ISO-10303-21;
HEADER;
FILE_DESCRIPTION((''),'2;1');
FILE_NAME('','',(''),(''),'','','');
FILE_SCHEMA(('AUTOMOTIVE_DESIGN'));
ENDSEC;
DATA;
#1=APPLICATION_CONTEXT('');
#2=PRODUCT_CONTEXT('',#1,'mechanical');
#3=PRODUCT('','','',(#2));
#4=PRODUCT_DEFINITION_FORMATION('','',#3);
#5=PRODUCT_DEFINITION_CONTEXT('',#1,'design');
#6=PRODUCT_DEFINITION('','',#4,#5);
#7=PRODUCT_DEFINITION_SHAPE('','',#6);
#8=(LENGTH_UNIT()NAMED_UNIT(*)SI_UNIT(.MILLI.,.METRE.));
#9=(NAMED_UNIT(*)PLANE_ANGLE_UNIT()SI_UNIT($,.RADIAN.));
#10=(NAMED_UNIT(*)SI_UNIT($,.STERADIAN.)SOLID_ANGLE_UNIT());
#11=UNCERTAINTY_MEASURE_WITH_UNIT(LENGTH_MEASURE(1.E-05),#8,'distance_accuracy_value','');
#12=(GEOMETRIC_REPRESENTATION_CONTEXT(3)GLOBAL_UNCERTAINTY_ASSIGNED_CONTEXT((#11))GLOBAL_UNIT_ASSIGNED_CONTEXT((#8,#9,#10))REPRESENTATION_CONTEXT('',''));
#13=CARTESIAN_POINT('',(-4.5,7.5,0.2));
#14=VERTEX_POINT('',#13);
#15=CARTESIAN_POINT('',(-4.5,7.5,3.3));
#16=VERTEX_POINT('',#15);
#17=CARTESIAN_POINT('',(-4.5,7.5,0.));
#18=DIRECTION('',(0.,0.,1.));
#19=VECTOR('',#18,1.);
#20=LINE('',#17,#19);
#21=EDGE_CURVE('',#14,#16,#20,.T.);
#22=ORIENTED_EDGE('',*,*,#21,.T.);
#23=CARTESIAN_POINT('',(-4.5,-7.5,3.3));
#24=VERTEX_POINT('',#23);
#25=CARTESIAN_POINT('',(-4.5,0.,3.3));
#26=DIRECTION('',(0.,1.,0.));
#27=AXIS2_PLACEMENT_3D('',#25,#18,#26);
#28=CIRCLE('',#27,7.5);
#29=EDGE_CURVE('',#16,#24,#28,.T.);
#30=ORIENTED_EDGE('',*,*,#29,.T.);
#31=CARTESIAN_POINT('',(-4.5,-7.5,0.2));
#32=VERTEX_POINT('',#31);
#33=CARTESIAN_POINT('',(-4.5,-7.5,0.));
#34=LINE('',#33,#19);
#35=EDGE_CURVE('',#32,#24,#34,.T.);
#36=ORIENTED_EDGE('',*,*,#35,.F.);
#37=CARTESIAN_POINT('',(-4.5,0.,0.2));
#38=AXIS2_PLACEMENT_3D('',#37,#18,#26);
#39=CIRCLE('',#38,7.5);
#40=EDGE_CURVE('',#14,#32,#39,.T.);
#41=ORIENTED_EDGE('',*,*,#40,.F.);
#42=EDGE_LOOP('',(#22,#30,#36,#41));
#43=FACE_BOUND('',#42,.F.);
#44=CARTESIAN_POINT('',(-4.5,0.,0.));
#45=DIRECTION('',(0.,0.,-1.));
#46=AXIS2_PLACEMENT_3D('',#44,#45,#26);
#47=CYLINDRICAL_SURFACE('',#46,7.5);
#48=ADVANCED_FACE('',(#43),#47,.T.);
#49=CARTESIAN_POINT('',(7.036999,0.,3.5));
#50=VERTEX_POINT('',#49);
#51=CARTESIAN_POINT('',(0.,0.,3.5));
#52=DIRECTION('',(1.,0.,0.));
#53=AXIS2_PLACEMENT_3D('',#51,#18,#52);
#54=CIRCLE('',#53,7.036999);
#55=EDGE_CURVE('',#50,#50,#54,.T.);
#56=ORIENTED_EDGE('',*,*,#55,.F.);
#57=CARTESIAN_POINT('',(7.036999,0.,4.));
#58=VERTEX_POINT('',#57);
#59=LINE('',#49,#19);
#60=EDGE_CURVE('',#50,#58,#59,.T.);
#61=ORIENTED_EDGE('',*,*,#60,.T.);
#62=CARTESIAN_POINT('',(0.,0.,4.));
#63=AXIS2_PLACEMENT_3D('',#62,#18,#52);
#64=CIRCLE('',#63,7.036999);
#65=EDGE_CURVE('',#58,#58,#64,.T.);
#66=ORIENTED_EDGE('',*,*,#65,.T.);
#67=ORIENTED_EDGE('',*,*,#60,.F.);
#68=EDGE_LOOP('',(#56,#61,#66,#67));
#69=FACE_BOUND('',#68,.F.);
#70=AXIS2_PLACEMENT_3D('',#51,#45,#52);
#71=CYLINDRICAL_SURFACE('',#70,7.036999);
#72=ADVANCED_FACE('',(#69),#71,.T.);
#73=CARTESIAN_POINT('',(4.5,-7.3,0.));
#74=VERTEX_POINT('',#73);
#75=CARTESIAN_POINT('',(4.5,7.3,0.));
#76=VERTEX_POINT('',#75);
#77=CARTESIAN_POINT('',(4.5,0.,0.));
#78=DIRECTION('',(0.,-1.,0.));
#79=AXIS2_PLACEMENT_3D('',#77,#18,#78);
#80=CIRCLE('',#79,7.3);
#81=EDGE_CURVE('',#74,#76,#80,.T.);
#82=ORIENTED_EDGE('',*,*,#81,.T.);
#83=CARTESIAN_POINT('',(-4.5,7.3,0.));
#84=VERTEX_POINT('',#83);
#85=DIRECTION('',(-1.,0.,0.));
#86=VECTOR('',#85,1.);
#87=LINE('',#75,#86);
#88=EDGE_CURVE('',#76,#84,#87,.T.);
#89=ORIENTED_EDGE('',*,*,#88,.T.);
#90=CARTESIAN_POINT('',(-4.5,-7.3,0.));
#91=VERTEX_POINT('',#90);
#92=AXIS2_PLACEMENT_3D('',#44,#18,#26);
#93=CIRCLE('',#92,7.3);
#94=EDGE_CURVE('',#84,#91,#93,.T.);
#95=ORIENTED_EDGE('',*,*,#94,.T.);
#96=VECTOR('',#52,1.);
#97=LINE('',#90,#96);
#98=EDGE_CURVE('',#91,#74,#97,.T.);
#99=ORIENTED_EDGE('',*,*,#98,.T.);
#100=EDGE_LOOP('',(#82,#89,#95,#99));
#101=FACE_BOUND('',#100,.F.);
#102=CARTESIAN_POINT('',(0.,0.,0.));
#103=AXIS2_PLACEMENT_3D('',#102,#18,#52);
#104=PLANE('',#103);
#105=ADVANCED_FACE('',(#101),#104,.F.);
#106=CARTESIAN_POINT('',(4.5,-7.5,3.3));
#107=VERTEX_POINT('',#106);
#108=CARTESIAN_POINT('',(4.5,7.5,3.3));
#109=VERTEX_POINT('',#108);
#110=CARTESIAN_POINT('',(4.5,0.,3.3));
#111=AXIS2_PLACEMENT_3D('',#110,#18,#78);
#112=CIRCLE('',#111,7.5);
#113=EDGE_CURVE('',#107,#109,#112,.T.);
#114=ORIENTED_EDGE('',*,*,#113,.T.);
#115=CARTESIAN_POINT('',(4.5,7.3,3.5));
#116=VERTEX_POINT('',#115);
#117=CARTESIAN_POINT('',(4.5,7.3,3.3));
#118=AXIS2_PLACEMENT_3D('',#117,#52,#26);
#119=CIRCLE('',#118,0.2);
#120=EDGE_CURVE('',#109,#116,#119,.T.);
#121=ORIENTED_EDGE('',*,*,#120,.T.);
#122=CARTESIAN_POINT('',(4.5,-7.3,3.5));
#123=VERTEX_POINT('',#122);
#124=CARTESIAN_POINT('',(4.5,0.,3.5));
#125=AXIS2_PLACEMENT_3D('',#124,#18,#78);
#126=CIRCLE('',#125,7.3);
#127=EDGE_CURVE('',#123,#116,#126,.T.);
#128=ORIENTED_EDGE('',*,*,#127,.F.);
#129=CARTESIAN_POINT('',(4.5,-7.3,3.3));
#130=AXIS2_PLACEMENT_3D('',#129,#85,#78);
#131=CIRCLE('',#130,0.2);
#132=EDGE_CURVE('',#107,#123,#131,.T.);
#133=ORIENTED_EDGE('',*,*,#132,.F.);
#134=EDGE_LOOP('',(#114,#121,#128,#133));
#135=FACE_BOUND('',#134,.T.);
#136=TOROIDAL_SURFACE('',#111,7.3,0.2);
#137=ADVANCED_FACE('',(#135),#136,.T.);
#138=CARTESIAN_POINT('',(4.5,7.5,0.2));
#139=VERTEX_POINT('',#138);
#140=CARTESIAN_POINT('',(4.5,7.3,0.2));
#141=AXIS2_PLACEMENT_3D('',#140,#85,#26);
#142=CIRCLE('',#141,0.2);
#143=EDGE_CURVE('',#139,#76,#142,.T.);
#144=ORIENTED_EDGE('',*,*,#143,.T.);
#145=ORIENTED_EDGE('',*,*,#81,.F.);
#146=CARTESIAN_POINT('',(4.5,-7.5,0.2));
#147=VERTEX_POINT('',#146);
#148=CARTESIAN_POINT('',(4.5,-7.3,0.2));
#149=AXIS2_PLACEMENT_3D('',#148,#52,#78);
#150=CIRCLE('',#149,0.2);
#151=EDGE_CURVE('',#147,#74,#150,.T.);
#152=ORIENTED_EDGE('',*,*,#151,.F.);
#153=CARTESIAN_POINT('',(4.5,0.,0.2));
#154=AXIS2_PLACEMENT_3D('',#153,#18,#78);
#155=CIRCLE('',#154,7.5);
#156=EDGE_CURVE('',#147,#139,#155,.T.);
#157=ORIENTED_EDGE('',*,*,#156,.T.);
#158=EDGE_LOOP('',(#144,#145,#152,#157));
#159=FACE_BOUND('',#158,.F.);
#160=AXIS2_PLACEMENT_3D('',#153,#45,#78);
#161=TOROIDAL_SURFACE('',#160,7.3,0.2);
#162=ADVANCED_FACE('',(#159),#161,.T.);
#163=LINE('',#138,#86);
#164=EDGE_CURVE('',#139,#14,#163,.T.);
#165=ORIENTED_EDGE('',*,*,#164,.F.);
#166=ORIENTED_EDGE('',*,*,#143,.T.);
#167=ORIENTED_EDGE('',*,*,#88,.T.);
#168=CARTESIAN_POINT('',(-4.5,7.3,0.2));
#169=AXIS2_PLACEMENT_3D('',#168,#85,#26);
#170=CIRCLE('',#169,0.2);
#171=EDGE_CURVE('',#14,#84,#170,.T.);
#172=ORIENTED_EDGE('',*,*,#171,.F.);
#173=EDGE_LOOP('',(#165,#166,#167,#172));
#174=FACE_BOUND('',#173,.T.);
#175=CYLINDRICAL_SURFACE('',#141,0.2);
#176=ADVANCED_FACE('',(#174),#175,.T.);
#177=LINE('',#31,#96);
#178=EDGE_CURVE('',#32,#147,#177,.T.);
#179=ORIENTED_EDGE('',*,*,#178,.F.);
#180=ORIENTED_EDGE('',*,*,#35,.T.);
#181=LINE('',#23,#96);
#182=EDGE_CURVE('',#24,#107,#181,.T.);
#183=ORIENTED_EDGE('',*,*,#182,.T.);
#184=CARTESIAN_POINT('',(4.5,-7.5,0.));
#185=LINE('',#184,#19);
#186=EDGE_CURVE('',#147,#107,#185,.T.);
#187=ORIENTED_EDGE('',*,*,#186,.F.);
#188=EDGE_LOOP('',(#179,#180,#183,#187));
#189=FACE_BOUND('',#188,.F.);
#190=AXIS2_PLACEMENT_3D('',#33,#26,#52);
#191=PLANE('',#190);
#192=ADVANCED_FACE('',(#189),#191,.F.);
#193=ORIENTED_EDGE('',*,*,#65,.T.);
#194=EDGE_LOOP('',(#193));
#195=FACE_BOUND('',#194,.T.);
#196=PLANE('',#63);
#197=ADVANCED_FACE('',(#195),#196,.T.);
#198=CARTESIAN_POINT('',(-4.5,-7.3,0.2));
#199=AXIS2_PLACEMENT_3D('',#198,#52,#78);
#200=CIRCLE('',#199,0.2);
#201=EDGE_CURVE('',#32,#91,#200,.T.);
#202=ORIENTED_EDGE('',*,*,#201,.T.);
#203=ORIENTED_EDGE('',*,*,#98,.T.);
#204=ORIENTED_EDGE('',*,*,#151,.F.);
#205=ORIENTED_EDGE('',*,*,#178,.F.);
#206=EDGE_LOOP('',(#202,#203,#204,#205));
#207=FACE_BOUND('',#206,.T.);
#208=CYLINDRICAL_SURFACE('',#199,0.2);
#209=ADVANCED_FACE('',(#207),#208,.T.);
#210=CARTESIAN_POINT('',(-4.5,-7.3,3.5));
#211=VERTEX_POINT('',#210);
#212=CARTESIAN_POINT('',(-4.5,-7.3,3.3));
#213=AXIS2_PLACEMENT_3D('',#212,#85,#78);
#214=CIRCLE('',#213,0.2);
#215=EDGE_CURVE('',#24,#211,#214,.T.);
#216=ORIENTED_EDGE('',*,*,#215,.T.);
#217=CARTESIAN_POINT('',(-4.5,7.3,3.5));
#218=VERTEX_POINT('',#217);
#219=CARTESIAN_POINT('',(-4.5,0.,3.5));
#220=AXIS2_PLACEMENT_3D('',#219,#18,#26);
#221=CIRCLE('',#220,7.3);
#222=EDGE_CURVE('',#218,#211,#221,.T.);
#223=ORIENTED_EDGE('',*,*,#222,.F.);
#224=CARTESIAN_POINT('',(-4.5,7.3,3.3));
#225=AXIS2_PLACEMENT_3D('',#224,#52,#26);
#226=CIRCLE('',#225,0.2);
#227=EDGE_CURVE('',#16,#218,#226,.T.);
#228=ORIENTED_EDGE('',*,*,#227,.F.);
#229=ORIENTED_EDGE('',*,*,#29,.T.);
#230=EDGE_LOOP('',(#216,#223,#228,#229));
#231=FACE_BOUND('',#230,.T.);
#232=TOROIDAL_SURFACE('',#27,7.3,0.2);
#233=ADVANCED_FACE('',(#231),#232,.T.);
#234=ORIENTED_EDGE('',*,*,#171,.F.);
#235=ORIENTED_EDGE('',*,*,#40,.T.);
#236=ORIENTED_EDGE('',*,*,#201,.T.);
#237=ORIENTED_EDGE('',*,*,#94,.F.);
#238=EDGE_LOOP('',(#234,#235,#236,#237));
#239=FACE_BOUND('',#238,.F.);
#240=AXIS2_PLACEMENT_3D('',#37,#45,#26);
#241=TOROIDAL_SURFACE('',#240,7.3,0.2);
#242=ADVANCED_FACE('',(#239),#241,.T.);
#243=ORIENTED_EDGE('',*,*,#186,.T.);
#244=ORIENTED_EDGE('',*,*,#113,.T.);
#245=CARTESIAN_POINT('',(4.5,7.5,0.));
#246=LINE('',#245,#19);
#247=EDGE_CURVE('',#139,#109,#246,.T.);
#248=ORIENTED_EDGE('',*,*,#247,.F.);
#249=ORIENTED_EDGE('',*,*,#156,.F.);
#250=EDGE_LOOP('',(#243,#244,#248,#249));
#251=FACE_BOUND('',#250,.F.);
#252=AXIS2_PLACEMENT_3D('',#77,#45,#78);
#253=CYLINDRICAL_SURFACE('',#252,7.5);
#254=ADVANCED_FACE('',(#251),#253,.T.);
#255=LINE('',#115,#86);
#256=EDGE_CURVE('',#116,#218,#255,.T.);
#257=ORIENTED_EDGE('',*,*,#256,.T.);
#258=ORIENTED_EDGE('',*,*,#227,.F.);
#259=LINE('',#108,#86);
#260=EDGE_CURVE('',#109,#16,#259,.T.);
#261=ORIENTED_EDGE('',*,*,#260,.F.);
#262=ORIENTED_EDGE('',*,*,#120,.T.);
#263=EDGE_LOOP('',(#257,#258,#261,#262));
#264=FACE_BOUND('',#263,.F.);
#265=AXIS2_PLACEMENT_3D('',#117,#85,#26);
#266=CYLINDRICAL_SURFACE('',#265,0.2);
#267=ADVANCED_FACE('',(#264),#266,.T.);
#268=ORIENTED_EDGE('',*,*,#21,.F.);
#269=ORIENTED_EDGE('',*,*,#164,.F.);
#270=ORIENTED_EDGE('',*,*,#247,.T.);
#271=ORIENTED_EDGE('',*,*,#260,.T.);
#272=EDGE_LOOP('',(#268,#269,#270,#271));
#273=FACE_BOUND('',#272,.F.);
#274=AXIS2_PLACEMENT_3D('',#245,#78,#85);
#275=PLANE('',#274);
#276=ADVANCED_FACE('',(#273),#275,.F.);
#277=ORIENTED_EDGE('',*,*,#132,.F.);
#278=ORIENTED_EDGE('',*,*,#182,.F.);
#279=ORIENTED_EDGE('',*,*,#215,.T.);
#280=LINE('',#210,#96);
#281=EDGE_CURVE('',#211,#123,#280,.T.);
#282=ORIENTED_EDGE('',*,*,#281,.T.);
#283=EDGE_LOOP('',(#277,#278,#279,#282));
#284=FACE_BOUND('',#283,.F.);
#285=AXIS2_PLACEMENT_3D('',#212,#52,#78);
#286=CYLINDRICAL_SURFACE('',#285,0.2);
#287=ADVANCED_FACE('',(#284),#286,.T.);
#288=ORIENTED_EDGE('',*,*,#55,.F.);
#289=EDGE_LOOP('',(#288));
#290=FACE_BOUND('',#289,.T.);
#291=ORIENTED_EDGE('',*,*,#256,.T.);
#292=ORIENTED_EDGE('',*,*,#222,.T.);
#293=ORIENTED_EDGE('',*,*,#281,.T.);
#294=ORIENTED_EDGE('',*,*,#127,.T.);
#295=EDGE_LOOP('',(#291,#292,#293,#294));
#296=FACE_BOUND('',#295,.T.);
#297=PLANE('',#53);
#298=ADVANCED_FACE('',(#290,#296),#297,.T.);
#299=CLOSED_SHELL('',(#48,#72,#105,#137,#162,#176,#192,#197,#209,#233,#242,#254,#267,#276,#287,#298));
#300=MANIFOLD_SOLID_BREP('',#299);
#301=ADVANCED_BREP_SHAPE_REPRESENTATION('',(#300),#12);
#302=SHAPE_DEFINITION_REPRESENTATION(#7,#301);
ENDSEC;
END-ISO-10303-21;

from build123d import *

# Parameters (mm, degrees)
BOSS_EXTRUDE1_DEPTH = 3.5
SKETCH2_R           = 7.036998645
BOSS_EXTRUDE2_DEPTH = 0.5
FILLET1_R           = 0.2


with BuildPart() as part:
    # Sketch1 → Boss-Extrude1 (new body)
    with BuildSketch(Plane.XY):
        with BuildLine():
            Line((-4.5, -7.5), (4.5, -7.5))
            ThreePointArc((4.5, -7.5), (12, 0), (4.5, 7.5))
            Line((4.5, 7.5), (-4.5, 7.5))
            ThreePointArc((-4.5, 7.5), (-12, 0), (-4.5, -7.5))
        make_face()
    extrude(amount=BOSS_EXTRUDE1_DEPTH)

    # Sketch2 → Boss-Extrude2 (add)
    with BuildSketch(Plane.XY.offset(3.5)):
        Circle(SKETCH2_R)
    extrude(amount=BOSS_EXTRUDE2_DEPTH)

    # Fillet1
    fillet1_edges = [part.edges().sort_by_distance(p)[0] for p in [
        (-12, 0, 3.5),
        (0, -7.5, 3.5),
        (12, 0, 3.5),
        (0, -7.5, 0),
        (-12, 0, 0),
        (0, 7.5, 0),
        (12, 0, 0),
        (0, 7.5, 3.5),
    ]]
    fillet(fillet1_edges, radius=FILLET1_R)


solid = part.part
